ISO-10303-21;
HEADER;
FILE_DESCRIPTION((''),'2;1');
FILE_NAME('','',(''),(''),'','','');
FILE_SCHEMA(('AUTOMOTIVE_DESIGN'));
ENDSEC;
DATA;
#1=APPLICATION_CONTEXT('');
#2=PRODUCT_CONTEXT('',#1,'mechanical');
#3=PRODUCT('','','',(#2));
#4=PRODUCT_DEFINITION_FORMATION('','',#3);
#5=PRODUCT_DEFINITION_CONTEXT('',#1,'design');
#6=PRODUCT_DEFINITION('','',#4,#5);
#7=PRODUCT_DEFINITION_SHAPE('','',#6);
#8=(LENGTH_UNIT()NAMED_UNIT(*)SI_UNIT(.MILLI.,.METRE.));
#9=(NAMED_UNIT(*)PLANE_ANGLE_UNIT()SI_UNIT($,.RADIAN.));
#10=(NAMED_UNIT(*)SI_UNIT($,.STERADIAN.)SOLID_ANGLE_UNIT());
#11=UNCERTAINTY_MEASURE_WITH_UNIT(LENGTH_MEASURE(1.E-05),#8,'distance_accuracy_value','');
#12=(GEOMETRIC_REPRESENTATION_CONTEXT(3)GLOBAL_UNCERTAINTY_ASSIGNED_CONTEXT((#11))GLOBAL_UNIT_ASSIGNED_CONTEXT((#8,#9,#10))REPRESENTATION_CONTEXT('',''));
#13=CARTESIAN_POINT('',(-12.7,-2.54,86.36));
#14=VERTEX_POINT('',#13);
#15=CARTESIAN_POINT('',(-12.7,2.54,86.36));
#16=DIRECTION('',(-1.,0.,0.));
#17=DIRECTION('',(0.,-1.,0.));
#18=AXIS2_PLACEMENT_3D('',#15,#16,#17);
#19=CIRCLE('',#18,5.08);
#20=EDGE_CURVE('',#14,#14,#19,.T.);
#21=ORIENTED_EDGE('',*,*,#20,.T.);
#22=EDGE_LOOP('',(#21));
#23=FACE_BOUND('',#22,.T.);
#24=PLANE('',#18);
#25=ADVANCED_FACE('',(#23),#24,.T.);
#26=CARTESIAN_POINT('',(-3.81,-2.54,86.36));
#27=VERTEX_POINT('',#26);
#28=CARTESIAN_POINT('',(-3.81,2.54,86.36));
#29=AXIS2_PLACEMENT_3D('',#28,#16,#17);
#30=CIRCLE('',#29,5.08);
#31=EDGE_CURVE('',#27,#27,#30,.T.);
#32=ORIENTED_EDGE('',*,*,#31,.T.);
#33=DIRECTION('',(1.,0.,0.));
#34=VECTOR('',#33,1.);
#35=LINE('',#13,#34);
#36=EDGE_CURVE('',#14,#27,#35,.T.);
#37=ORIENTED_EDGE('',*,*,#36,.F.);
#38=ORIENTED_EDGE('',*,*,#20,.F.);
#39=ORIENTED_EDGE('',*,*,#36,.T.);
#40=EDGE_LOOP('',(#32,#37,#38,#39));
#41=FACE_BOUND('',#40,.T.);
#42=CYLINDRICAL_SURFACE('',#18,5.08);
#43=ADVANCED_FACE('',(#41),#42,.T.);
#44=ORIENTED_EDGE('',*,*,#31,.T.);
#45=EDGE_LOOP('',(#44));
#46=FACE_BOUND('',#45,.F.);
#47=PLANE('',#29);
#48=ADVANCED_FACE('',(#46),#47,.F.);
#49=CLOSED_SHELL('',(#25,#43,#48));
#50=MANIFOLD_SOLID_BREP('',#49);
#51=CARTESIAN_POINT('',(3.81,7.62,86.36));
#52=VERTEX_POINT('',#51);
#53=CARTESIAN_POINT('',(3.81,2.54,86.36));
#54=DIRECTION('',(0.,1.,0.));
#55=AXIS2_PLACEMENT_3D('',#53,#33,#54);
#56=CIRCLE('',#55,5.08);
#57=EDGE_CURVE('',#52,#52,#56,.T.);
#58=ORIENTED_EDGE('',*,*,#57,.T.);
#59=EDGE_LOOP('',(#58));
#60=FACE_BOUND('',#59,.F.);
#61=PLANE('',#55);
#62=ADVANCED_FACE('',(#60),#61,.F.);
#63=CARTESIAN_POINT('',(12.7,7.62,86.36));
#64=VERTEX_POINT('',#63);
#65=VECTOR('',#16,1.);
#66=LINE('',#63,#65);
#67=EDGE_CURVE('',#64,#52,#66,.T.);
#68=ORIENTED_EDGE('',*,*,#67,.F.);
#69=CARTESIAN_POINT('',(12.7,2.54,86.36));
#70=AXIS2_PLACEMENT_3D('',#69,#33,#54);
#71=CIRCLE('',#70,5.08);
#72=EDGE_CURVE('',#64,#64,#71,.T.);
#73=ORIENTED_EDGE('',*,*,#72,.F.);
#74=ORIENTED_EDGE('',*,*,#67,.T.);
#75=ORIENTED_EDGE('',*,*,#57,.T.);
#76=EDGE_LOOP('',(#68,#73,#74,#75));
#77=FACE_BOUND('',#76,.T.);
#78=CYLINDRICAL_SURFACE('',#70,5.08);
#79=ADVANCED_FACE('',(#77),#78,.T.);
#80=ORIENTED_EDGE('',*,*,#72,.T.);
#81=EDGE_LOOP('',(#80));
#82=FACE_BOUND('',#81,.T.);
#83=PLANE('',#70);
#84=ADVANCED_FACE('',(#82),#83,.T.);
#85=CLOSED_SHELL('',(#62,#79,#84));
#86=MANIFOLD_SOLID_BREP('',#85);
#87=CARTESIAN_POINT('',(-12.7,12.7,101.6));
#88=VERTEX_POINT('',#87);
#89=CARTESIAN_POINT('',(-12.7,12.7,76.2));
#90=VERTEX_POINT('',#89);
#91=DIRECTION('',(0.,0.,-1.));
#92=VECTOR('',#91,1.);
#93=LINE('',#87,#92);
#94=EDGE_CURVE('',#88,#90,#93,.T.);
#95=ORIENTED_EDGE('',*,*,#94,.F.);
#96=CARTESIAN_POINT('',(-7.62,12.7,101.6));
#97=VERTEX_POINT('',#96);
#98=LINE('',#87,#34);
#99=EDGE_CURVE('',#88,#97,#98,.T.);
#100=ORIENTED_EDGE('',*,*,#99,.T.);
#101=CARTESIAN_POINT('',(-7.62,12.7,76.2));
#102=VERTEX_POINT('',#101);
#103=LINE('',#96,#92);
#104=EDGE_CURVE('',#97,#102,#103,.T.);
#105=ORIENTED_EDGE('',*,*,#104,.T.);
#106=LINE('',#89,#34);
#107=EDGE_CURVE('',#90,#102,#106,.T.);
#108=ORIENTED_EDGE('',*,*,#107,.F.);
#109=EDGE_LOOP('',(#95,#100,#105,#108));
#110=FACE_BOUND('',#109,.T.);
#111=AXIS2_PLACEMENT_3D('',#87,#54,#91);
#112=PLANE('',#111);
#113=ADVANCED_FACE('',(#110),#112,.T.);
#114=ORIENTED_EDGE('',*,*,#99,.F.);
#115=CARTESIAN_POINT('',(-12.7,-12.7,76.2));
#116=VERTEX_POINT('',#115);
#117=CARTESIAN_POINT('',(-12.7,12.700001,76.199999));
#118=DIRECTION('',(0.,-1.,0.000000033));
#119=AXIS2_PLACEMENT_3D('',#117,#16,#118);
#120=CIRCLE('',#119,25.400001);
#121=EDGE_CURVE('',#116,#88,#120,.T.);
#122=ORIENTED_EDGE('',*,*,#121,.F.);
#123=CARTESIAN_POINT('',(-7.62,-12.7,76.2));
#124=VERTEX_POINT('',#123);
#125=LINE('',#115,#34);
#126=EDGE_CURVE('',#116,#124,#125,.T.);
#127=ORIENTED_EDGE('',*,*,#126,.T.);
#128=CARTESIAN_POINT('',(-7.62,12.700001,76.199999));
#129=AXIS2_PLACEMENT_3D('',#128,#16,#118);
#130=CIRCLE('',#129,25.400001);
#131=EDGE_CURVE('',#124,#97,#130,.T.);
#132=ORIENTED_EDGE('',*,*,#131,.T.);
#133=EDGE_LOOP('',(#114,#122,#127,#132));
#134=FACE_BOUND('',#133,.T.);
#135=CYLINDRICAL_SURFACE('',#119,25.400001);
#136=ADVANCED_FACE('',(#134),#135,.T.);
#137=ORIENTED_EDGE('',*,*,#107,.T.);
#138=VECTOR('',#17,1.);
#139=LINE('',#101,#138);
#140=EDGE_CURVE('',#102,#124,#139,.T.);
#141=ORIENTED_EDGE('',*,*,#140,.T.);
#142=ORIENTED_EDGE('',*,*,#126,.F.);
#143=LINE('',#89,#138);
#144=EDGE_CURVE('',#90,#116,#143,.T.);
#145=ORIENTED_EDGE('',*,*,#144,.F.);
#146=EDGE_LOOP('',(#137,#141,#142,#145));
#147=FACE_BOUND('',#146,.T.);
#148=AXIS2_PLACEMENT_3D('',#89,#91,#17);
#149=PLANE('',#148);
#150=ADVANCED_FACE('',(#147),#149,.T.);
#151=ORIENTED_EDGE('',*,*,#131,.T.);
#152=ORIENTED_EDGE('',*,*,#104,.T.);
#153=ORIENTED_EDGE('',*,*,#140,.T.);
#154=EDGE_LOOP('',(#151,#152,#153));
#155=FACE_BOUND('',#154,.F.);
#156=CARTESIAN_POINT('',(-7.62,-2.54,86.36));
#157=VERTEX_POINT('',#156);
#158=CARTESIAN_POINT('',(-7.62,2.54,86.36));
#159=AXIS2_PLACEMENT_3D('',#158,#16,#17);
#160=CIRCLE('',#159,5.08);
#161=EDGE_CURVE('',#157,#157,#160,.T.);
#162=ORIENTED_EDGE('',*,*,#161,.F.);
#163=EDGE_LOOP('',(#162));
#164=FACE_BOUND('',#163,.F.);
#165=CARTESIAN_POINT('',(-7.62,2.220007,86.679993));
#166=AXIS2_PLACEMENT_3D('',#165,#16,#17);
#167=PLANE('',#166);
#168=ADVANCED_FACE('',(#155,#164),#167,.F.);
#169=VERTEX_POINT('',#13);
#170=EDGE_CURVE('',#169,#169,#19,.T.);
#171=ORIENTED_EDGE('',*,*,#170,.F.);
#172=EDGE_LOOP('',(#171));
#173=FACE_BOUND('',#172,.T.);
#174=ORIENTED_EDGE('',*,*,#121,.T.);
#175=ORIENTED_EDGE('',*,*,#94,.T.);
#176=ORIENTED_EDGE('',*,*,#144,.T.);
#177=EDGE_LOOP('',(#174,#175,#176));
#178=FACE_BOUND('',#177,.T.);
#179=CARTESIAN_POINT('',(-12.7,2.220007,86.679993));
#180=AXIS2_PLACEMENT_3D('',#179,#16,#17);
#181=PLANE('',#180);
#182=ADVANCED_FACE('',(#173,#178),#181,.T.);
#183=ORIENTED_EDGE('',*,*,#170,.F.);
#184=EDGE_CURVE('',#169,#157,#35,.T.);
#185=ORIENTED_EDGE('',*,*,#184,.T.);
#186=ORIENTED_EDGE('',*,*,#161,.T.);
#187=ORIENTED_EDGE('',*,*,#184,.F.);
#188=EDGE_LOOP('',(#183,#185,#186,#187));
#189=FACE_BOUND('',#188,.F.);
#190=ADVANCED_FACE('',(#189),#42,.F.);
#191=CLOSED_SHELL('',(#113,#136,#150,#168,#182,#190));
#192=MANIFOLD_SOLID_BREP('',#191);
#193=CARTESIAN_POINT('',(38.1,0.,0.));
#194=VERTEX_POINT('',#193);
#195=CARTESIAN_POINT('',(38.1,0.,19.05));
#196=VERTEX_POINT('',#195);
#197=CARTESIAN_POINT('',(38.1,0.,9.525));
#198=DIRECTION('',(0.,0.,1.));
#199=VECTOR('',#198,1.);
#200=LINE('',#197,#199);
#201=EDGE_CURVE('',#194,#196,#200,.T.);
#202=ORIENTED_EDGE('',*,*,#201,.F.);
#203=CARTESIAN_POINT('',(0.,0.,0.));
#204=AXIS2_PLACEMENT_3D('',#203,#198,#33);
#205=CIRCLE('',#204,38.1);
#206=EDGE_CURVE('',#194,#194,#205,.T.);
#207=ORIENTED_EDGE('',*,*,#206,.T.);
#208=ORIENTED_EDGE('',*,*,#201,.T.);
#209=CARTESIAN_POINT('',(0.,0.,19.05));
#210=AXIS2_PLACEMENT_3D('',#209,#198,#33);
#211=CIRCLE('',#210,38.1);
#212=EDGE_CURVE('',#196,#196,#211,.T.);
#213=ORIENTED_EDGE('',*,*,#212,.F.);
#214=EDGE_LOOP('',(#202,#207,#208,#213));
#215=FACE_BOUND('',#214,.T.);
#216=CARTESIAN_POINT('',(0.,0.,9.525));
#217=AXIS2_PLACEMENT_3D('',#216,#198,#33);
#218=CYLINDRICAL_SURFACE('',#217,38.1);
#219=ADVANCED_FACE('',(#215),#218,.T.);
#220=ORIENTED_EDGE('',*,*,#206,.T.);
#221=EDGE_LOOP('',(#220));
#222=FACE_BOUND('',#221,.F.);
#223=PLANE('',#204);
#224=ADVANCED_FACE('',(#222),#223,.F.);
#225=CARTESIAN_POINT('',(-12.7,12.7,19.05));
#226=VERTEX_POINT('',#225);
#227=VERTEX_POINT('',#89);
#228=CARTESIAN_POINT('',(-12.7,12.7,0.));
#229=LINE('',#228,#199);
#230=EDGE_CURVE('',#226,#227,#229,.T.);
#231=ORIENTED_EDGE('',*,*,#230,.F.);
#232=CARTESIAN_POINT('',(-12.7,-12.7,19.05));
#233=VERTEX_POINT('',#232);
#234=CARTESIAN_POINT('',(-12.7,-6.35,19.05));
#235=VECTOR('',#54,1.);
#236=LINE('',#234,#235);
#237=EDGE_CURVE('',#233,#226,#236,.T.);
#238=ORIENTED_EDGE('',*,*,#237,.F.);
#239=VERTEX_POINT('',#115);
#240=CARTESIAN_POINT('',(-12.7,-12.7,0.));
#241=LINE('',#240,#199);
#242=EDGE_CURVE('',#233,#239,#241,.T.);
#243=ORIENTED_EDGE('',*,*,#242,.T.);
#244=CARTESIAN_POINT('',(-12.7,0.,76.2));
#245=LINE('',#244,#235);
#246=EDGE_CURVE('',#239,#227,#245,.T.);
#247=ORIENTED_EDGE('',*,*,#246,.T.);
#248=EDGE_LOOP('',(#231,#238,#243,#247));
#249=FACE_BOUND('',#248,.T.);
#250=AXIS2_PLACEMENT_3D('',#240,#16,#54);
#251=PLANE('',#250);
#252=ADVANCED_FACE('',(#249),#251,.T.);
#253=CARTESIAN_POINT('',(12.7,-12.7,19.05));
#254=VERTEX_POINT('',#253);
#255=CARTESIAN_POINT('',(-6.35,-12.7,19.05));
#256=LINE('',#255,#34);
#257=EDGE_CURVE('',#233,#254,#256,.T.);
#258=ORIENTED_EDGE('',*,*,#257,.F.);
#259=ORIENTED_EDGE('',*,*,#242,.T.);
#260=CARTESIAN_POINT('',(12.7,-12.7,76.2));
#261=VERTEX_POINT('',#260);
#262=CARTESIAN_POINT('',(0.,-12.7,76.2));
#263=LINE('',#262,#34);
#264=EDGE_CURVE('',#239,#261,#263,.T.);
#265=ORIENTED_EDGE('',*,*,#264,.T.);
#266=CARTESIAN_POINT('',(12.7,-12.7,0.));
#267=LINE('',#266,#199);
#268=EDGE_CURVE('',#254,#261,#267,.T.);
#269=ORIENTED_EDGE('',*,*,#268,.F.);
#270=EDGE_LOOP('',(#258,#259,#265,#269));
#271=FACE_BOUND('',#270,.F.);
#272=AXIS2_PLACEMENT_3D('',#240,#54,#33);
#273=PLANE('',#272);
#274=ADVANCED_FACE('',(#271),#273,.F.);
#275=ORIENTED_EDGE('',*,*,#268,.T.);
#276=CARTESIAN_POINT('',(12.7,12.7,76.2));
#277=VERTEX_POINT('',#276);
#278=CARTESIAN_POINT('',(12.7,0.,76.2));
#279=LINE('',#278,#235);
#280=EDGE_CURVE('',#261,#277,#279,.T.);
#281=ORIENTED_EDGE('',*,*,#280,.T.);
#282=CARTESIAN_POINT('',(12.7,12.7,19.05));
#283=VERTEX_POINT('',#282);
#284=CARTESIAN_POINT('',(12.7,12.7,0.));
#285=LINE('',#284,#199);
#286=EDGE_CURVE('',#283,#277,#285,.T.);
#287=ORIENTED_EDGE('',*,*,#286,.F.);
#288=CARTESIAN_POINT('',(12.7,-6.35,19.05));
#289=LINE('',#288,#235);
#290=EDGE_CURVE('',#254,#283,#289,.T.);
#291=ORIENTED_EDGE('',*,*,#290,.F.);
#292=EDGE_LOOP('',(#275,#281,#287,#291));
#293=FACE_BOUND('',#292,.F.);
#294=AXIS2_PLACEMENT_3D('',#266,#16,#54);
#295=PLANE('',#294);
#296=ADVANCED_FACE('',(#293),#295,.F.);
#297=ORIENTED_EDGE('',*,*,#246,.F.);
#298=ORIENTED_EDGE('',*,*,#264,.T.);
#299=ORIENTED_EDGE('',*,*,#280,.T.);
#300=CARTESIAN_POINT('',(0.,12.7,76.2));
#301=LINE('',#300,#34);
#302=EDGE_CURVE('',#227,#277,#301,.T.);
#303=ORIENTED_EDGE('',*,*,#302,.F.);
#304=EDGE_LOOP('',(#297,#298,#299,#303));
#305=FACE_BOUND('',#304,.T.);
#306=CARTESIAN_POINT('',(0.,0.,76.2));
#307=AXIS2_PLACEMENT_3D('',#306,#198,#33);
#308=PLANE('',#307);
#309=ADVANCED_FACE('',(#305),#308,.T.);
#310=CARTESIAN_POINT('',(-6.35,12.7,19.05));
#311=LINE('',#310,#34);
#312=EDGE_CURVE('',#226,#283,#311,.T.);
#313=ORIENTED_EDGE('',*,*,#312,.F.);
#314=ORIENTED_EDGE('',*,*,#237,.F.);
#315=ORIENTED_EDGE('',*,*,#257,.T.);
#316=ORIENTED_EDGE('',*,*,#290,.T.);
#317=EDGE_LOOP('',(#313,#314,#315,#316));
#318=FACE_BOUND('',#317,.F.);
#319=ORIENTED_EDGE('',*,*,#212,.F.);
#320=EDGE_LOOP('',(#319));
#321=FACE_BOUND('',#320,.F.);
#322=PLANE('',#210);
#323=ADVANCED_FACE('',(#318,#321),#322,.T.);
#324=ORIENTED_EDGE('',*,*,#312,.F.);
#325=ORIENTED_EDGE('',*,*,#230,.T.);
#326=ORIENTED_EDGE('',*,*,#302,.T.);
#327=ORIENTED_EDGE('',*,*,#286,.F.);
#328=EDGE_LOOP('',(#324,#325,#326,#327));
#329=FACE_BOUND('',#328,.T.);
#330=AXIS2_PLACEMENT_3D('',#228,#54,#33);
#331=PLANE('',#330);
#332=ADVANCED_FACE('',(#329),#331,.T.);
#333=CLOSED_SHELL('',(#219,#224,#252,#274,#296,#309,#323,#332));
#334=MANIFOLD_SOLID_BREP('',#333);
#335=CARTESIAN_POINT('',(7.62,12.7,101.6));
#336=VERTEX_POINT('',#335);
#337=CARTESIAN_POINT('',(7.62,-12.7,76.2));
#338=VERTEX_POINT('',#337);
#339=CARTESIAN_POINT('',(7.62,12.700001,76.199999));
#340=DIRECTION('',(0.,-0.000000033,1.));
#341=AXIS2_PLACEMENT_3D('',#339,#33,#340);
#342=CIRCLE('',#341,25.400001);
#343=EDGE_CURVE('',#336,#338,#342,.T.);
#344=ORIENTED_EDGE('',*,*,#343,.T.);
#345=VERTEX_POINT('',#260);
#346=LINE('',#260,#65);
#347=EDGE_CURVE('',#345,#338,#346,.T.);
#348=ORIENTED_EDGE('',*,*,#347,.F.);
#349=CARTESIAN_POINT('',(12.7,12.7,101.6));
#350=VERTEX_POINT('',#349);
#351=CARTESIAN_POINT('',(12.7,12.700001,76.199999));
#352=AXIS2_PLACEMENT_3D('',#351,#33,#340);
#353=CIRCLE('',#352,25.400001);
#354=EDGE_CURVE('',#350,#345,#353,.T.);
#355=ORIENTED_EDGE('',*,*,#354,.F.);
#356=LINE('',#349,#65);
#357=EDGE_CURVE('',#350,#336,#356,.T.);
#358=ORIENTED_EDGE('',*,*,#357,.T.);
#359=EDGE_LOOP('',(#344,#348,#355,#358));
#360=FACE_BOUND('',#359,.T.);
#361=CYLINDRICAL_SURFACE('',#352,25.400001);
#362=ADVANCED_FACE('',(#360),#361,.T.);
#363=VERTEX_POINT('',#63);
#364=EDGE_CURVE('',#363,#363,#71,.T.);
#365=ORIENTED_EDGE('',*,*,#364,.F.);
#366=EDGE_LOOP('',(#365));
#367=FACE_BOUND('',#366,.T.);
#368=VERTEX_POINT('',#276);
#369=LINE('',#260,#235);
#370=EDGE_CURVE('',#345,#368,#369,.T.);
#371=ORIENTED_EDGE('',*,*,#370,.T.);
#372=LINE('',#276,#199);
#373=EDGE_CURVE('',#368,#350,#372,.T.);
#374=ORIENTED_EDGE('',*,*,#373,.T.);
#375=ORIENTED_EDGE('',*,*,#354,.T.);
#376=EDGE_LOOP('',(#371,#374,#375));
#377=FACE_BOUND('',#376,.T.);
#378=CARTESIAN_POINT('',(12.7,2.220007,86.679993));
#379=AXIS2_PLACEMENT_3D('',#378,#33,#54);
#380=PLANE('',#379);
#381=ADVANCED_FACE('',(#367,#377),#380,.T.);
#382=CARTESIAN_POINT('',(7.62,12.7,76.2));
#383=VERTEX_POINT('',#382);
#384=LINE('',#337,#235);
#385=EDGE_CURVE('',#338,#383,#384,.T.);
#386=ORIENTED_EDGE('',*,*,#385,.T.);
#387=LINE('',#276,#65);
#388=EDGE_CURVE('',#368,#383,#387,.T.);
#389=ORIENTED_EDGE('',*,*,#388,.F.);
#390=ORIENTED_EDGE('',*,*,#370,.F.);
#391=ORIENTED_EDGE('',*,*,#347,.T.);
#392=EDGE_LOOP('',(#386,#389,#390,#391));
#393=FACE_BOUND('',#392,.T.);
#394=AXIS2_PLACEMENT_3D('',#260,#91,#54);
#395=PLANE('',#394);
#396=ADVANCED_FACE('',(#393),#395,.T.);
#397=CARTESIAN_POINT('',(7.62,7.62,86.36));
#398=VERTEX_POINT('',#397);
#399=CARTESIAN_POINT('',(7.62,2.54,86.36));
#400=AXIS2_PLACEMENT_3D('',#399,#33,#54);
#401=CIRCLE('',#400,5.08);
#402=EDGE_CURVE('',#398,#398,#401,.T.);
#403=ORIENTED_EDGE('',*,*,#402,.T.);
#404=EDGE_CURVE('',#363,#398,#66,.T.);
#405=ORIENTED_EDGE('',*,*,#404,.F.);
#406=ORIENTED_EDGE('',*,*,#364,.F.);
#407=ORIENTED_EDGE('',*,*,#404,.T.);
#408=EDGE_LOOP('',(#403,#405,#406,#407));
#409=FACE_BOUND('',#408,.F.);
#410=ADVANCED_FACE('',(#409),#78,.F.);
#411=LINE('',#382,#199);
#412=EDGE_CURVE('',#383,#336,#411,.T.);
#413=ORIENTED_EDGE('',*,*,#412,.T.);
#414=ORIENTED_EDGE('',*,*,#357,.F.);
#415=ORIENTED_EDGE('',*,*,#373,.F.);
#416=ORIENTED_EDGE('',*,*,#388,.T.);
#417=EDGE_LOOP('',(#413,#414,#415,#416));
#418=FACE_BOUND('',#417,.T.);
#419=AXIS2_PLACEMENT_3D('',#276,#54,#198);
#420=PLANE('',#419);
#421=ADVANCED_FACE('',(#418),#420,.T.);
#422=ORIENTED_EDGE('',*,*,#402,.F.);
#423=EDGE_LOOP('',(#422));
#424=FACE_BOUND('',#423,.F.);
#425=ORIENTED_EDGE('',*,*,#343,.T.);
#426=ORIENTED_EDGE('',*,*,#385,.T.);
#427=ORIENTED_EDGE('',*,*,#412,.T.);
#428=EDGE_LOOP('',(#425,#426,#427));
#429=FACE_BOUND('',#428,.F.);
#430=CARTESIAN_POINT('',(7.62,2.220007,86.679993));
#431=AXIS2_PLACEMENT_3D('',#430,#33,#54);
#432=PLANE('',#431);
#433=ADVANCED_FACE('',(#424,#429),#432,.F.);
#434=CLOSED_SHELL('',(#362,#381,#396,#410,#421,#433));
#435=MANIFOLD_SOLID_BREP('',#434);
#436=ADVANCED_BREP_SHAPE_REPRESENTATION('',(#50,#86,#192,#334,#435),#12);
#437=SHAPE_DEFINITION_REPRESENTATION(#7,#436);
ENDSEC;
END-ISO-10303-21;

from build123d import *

# Parameters (mm, degrees)
F0_W     = 38.1
F0_H     = 19.05
F2_W     = 25.4
F2_H     = 25.4
F3_DEPTH = 76.2
F5_R     = 5.08
F6_DEPTH = 5.08
F4_R     = 5.08
F7_DEPTH = 5.08
F8_DEPTH = 8.89
F9_DEPTH = 8.89


with BuildPart() as f1:
    # F0 (on Front) → F1 (revolve)
    with BuildSketch(Plane.XZ):
        with Locations((19.05, 9.525)):
            Rectangle(F0_W, F0_H)
    revolve(axis=Axis((0, 0, 9.525), (0, 0, 1)))

    # F2 (on Top) → F3 (join)
    with BuildSketch(Plane.XY):
        Rectangle(F2_W, F2_H)
    extrude(amount=F3_DEPTH)


with BuildPart() as f6:
    # F5 (on face) → F6 (new body)
    with BuildSketch(Plane(origin=(-12.7, 0, 0), x_dir=(0, -1, 0), z_dir=(-1, 0, 0))):
        with BuildLine():
            Line((-12.7, 76.2), (12.7, 76.2))
            ThreePointArc((12.7, 76.2), (5.260512, 94.160512), (-12.7, 101.6))
            Line((-12.7, 101.6), (-12.7, 76.2))
        make_face()
        with Locations((-2.54, 86.36)):
            Circle(F5_R, mode=Mode.SUBTRACT)
    extrude(amount=-F6_DEPTH)


with BuildPart() as f7:
    # F4 (on face) → F7 (new body)
    with BuildSketch(Plane.YZ.offset(12.7)):
        with BuildLine():
            Line((-12.7, 76.2), (12.7, 76.2))
            Line((12.7, 76.2), (12.7, 101.6))
            ThreePointArc((12.7, 101.6), (-5.260512, 94.160512), (-12.7, 76.2))
        make_face()
        with Locations((2.54, 86.36)):
            Circle(F4_R, mode=Mode.SUBTRACT)
    extrude(amount=-F7_DEPTH)


with BuildPart() as f8:
    # F4 (on face) → F8 (new body)
    with BuildSketch(Plane.YZ.offset(12.7)):
        with Locations((2.54, 86.36)):
            Circle(F4_R)
    extrude(amount=-F8_DEPTH)


with BuildPart() as f9:
    # F5 (on face) → F9 (new body)
    with BuildSketch(Plane(origin=(-12.7, 0, 0), x_dir=(0, -1, 0), z_dir=(-1, 0, 0))):
        with Locations((-2.54, 86.36)):
            Circle(F5_R)
    extrude(amount=-F9_DEPTH)


solid = Compound([f1.part, f6.part, f7.part, f8.part, f9.part])
